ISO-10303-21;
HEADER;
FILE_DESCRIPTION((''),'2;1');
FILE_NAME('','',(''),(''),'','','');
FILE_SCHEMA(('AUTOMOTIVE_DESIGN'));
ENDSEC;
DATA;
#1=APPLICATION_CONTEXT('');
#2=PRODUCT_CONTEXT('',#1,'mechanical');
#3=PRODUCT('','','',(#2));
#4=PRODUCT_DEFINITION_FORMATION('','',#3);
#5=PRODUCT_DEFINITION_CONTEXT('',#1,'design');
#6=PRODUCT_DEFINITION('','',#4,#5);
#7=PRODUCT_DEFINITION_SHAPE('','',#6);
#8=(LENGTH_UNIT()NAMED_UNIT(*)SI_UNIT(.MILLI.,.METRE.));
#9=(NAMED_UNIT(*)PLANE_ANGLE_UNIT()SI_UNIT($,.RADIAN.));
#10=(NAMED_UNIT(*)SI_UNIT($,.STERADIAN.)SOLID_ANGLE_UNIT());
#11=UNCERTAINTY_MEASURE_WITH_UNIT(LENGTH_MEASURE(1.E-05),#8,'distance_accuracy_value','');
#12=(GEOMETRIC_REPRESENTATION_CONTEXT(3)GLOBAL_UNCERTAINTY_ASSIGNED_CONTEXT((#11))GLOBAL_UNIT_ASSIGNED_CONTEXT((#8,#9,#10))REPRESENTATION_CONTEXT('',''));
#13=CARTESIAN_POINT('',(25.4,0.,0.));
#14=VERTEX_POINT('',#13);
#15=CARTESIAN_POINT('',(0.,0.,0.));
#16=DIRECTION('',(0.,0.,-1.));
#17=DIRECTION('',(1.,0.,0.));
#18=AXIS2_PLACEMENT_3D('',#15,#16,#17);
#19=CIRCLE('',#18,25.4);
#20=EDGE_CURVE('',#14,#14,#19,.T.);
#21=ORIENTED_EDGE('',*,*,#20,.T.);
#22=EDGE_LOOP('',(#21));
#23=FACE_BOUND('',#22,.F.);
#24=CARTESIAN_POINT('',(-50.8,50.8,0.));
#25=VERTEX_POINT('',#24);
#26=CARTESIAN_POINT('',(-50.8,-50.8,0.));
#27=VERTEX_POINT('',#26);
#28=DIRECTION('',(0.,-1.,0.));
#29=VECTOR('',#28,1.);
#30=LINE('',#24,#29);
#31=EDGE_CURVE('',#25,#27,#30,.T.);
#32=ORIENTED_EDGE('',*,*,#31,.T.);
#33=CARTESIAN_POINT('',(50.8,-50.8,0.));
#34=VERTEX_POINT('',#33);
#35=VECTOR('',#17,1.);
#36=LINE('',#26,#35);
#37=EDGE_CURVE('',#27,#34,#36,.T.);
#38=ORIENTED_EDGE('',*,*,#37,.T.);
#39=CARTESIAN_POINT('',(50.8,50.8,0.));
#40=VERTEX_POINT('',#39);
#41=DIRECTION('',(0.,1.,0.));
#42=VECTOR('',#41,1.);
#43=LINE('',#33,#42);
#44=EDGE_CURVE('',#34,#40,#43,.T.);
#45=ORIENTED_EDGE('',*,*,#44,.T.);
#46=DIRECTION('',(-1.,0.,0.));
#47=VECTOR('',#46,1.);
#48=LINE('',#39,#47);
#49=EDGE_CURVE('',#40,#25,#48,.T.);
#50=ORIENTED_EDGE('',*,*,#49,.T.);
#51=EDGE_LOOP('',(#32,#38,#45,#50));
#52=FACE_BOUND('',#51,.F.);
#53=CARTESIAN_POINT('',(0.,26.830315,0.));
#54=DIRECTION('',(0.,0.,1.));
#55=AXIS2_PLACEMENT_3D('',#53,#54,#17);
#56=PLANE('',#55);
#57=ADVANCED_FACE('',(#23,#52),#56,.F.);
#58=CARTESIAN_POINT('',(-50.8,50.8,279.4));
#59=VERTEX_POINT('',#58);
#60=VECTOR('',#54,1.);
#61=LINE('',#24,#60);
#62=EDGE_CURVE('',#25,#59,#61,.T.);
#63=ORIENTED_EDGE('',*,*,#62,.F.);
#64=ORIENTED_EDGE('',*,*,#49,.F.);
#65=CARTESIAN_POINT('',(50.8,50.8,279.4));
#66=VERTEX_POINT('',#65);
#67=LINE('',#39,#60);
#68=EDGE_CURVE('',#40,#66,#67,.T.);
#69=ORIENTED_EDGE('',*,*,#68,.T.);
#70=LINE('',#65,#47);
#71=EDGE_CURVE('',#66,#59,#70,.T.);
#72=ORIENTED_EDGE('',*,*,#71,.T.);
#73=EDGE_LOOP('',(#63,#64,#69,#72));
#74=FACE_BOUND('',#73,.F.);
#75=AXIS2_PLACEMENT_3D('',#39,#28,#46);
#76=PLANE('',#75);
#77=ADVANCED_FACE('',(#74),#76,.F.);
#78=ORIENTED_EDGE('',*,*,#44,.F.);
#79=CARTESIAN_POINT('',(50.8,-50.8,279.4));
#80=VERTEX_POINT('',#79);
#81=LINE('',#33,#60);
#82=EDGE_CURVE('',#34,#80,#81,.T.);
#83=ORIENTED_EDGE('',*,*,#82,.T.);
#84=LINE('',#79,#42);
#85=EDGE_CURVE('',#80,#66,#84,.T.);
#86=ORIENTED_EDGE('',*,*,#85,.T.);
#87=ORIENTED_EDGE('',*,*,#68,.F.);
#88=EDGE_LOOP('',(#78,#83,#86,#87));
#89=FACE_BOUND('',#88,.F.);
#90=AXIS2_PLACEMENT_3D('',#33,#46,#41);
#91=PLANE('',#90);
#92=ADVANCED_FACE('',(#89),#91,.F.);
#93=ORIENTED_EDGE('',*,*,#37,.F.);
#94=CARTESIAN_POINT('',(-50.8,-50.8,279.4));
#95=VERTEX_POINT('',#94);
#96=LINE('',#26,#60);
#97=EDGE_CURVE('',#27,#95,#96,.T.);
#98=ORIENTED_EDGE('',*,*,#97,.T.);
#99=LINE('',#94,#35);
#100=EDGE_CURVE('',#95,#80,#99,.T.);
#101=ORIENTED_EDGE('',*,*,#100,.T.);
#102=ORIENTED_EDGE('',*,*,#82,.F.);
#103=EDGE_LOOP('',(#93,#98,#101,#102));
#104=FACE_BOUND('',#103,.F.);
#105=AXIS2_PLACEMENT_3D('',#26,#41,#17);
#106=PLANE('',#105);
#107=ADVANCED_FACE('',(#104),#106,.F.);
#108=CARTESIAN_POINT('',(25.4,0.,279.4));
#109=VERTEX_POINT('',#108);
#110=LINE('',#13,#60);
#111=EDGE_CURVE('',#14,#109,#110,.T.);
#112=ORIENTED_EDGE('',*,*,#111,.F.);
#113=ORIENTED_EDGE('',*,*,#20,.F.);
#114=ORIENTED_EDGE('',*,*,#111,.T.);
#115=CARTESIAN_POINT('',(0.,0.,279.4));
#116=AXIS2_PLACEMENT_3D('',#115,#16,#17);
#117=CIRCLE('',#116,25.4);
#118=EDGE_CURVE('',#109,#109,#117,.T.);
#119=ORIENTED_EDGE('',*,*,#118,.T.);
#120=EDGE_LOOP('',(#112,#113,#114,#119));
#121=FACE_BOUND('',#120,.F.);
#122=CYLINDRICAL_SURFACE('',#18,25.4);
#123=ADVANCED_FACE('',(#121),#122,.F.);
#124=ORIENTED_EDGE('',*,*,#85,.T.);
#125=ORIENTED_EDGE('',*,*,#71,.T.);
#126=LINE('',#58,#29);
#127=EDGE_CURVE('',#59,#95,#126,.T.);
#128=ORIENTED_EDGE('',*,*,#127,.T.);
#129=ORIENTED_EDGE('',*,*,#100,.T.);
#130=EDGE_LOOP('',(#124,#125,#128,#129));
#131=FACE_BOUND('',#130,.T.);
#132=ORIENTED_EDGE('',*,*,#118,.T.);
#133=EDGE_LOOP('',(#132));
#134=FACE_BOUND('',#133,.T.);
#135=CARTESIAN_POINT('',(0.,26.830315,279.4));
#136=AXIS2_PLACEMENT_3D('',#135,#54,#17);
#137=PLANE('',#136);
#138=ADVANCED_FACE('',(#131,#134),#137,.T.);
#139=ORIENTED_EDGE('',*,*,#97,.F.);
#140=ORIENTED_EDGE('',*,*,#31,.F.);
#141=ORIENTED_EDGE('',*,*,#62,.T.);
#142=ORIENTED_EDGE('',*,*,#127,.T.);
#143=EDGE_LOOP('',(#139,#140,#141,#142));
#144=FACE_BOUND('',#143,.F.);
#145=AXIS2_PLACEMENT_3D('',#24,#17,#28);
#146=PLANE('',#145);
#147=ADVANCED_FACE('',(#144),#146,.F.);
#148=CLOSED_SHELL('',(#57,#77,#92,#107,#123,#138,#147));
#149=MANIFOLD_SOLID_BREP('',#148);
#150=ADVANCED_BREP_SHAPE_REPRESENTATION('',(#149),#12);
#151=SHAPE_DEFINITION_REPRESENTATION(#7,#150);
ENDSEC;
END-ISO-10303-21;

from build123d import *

# Parameters (mm, degrees)
F1_DEPTH = 279.4


with BuildPart() as f1:
    # F0 (on Top) → F1 (new body)
    with BuildSketch(Plane.XY):
        with BuildLine():
            ThreePointArc((-25.4, 0), (0, 25.4), (25.4, 0))
            Line((25.4, 0), (50.8, 0))
            Line((50.8, 0), (50.8, 50.8))
            Line((50.8, 50.8), (-50.8, 50.8))
            Line((-50.8, 50.8), (-50.8, 0))
            Line((-50.8, 0), (-25.4, 0))
        make_face()
        with BuildLine():
            Line((50.8, 0), (25.4, 0))
            ThreePointArc((25.4, 0), (0, -25.4), (-25.4, 0))
            Line((-25.4, 0), (-50.8, 0))
            Line((-50.8, 0), (-50.8, -50.8))
            Line((-50.8, -50.8), (50.8, -50.8))
            Line((50.8, -50.8), (50.8, 0))
        make_face()
    extrude(amount=F1_DEPTH)


solid = f1.part
